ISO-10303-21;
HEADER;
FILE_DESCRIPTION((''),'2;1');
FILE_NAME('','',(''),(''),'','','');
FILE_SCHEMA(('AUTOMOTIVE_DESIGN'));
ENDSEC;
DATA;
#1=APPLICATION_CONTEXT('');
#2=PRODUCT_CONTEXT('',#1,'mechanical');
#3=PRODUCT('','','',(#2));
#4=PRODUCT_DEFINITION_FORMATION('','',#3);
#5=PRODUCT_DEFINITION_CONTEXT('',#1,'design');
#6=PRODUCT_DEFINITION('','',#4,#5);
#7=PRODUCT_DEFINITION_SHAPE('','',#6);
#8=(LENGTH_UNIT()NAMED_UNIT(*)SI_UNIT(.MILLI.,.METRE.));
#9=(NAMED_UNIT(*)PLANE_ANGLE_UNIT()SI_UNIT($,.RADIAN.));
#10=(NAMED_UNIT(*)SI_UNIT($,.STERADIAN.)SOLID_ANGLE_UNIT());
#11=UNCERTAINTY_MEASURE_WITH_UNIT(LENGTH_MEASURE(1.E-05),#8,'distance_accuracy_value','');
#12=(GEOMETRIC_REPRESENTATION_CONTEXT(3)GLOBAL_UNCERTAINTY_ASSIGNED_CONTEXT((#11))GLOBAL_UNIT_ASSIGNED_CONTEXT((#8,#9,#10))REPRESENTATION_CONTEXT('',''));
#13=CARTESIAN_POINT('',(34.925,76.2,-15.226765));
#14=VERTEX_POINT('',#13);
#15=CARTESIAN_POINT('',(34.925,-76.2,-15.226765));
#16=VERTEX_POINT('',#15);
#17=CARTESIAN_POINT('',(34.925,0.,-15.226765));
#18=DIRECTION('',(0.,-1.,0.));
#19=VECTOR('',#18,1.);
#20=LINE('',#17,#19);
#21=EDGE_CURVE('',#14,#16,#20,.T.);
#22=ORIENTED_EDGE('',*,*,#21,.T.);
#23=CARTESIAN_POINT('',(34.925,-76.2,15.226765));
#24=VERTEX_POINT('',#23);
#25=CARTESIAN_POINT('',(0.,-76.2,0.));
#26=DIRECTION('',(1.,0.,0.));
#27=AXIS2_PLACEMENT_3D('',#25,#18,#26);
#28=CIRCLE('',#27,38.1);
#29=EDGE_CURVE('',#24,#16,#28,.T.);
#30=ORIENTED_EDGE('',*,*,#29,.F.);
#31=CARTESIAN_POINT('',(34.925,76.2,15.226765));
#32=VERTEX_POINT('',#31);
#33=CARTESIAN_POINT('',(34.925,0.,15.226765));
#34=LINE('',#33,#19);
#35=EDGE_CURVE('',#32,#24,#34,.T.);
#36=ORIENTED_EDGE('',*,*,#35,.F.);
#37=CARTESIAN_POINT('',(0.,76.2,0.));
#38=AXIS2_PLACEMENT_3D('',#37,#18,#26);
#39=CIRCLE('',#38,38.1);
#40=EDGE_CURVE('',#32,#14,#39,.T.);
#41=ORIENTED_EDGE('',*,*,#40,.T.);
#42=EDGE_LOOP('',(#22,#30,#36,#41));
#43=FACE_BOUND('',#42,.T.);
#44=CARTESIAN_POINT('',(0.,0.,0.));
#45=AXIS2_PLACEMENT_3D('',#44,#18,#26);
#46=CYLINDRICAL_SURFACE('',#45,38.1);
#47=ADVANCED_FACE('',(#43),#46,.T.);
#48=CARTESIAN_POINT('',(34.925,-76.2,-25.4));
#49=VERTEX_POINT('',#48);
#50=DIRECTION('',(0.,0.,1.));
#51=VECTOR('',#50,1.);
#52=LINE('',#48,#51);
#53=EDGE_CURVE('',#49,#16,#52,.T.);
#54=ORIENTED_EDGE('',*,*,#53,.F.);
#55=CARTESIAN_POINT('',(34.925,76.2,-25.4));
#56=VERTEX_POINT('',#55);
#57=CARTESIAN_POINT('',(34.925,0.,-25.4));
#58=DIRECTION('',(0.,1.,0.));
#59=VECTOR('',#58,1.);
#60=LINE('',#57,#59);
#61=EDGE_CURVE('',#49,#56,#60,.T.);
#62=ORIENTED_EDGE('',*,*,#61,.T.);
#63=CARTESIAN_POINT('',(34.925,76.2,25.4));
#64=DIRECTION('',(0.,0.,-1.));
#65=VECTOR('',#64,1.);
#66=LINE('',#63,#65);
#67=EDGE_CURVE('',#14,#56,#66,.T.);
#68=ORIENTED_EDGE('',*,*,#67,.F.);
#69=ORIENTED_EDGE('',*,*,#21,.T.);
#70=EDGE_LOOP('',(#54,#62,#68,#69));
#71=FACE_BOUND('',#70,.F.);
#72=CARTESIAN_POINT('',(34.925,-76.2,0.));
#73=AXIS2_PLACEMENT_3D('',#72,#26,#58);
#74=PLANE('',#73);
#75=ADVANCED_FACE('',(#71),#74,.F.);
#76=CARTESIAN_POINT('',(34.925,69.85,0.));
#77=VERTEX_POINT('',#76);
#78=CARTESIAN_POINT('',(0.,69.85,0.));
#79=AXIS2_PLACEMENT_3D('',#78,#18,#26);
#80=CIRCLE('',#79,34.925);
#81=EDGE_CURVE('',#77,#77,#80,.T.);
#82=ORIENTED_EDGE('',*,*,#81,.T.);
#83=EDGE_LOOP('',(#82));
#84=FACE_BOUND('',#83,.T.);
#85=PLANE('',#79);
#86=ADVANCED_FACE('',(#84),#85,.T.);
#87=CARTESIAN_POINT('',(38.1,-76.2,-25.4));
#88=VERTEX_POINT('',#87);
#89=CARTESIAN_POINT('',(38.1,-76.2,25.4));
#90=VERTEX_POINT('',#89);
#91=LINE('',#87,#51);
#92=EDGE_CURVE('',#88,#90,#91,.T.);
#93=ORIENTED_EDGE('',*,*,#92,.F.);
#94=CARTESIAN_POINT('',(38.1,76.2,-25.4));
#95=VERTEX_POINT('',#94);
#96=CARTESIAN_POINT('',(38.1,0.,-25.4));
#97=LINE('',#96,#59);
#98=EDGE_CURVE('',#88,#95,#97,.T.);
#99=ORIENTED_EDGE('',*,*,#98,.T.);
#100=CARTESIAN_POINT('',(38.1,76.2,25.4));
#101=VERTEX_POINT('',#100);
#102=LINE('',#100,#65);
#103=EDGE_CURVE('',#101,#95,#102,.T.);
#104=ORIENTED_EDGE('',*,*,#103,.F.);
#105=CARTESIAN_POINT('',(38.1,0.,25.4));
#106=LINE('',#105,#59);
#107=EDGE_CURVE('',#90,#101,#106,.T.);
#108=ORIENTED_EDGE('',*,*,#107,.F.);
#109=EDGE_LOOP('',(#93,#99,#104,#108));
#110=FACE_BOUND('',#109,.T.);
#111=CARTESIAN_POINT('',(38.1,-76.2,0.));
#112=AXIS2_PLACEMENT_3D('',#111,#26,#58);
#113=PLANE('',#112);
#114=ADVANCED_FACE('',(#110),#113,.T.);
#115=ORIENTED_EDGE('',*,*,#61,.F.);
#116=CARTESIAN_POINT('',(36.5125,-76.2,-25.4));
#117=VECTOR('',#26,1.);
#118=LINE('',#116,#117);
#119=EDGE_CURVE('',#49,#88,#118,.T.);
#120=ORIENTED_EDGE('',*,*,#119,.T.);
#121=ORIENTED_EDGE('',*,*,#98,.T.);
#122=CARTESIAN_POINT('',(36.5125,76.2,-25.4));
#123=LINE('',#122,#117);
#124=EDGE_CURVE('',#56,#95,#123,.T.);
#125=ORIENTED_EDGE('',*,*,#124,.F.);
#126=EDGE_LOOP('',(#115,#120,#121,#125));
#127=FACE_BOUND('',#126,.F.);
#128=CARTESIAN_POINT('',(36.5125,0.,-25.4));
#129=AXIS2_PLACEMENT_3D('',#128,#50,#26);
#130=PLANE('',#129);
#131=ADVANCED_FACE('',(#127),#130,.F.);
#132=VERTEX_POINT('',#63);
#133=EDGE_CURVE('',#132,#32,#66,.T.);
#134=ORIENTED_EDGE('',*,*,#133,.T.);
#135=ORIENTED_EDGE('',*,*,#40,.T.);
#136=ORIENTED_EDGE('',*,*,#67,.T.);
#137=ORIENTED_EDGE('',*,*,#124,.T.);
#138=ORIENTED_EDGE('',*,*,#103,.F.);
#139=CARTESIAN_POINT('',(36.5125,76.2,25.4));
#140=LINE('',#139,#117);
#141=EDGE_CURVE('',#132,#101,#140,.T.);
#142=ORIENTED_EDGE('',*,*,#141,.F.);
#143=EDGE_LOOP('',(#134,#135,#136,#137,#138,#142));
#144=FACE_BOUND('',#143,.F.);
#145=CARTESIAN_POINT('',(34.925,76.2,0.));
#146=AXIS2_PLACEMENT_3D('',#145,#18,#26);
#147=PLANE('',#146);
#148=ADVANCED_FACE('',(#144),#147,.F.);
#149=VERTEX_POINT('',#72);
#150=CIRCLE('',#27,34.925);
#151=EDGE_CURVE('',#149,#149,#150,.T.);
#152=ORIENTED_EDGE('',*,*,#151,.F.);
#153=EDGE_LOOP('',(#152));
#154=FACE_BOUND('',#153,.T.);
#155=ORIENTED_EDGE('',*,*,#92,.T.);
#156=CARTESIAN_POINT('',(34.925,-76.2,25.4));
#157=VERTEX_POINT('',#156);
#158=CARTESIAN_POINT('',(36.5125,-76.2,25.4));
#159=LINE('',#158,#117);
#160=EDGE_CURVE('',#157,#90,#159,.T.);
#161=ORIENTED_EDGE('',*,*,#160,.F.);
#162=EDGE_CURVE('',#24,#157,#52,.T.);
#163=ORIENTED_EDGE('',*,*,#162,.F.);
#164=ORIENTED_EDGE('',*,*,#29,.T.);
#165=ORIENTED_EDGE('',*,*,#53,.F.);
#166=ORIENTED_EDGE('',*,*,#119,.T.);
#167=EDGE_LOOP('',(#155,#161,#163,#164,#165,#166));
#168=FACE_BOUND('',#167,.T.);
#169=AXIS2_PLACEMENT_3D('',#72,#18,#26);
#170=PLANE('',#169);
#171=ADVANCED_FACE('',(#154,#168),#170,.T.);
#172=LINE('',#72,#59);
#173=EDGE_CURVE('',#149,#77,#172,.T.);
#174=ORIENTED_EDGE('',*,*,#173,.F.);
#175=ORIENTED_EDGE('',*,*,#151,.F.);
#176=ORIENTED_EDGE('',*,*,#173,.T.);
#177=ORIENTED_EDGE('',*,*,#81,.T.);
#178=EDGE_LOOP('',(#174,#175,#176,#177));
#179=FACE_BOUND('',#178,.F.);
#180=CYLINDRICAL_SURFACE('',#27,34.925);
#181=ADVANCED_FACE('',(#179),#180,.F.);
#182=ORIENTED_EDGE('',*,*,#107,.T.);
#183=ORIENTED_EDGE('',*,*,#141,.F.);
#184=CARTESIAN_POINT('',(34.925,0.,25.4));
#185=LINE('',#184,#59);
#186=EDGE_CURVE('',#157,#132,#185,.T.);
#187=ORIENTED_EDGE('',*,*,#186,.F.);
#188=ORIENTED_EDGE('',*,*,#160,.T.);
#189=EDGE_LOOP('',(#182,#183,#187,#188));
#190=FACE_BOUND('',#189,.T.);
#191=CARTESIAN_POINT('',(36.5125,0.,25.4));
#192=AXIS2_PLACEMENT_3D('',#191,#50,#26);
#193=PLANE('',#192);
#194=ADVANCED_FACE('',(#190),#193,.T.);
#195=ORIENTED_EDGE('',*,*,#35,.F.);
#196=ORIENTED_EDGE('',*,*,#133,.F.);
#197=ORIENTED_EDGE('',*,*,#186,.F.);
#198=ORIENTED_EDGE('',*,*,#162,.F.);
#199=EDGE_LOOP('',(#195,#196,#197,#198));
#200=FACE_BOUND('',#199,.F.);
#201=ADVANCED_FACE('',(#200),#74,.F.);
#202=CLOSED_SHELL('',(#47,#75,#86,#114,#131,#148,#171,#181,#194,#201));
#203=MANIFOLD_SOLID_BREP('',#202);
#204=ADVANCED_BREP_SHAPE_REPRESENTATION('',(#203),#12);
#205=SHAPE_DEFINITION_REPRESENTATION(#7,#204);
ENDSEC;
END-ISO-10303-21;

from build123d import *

# Parameters (mm, degrees)
F0_R     = 38.1
F1_DEPTH = 76.2
F2_R     = 34.925
F3_DEPTH = 146.05
F4_W     = 3.175
F4_H     = 152.4
F5_DEPTH = 25.4


with BuildPart() as f1:
    # F0 (on Front) → F1 (new body, symmetric)
    with BuildSketch(Plane.XZ):
        Circle(F0_R)
    extrude(amount=F1_DEPTH, both=True)

    # F2 (on face) → F3 (cut)
    with BuildSketch(Plane.XZ.offset(76.2)):
        Circle(F2_R)
    extrude(amount=-F3_DEPTH, mode=Mode.SUBTRACT)

    # F4 (on Top) → F5 (join, symmetric)
    with BuildSketch(Plane.XY):
        with Locations((36.5125, 0)):
            Rectangle(F4_W, F4_H)
    extrude(amount=F5_DEPTH, both=True)


solid = f1.part
